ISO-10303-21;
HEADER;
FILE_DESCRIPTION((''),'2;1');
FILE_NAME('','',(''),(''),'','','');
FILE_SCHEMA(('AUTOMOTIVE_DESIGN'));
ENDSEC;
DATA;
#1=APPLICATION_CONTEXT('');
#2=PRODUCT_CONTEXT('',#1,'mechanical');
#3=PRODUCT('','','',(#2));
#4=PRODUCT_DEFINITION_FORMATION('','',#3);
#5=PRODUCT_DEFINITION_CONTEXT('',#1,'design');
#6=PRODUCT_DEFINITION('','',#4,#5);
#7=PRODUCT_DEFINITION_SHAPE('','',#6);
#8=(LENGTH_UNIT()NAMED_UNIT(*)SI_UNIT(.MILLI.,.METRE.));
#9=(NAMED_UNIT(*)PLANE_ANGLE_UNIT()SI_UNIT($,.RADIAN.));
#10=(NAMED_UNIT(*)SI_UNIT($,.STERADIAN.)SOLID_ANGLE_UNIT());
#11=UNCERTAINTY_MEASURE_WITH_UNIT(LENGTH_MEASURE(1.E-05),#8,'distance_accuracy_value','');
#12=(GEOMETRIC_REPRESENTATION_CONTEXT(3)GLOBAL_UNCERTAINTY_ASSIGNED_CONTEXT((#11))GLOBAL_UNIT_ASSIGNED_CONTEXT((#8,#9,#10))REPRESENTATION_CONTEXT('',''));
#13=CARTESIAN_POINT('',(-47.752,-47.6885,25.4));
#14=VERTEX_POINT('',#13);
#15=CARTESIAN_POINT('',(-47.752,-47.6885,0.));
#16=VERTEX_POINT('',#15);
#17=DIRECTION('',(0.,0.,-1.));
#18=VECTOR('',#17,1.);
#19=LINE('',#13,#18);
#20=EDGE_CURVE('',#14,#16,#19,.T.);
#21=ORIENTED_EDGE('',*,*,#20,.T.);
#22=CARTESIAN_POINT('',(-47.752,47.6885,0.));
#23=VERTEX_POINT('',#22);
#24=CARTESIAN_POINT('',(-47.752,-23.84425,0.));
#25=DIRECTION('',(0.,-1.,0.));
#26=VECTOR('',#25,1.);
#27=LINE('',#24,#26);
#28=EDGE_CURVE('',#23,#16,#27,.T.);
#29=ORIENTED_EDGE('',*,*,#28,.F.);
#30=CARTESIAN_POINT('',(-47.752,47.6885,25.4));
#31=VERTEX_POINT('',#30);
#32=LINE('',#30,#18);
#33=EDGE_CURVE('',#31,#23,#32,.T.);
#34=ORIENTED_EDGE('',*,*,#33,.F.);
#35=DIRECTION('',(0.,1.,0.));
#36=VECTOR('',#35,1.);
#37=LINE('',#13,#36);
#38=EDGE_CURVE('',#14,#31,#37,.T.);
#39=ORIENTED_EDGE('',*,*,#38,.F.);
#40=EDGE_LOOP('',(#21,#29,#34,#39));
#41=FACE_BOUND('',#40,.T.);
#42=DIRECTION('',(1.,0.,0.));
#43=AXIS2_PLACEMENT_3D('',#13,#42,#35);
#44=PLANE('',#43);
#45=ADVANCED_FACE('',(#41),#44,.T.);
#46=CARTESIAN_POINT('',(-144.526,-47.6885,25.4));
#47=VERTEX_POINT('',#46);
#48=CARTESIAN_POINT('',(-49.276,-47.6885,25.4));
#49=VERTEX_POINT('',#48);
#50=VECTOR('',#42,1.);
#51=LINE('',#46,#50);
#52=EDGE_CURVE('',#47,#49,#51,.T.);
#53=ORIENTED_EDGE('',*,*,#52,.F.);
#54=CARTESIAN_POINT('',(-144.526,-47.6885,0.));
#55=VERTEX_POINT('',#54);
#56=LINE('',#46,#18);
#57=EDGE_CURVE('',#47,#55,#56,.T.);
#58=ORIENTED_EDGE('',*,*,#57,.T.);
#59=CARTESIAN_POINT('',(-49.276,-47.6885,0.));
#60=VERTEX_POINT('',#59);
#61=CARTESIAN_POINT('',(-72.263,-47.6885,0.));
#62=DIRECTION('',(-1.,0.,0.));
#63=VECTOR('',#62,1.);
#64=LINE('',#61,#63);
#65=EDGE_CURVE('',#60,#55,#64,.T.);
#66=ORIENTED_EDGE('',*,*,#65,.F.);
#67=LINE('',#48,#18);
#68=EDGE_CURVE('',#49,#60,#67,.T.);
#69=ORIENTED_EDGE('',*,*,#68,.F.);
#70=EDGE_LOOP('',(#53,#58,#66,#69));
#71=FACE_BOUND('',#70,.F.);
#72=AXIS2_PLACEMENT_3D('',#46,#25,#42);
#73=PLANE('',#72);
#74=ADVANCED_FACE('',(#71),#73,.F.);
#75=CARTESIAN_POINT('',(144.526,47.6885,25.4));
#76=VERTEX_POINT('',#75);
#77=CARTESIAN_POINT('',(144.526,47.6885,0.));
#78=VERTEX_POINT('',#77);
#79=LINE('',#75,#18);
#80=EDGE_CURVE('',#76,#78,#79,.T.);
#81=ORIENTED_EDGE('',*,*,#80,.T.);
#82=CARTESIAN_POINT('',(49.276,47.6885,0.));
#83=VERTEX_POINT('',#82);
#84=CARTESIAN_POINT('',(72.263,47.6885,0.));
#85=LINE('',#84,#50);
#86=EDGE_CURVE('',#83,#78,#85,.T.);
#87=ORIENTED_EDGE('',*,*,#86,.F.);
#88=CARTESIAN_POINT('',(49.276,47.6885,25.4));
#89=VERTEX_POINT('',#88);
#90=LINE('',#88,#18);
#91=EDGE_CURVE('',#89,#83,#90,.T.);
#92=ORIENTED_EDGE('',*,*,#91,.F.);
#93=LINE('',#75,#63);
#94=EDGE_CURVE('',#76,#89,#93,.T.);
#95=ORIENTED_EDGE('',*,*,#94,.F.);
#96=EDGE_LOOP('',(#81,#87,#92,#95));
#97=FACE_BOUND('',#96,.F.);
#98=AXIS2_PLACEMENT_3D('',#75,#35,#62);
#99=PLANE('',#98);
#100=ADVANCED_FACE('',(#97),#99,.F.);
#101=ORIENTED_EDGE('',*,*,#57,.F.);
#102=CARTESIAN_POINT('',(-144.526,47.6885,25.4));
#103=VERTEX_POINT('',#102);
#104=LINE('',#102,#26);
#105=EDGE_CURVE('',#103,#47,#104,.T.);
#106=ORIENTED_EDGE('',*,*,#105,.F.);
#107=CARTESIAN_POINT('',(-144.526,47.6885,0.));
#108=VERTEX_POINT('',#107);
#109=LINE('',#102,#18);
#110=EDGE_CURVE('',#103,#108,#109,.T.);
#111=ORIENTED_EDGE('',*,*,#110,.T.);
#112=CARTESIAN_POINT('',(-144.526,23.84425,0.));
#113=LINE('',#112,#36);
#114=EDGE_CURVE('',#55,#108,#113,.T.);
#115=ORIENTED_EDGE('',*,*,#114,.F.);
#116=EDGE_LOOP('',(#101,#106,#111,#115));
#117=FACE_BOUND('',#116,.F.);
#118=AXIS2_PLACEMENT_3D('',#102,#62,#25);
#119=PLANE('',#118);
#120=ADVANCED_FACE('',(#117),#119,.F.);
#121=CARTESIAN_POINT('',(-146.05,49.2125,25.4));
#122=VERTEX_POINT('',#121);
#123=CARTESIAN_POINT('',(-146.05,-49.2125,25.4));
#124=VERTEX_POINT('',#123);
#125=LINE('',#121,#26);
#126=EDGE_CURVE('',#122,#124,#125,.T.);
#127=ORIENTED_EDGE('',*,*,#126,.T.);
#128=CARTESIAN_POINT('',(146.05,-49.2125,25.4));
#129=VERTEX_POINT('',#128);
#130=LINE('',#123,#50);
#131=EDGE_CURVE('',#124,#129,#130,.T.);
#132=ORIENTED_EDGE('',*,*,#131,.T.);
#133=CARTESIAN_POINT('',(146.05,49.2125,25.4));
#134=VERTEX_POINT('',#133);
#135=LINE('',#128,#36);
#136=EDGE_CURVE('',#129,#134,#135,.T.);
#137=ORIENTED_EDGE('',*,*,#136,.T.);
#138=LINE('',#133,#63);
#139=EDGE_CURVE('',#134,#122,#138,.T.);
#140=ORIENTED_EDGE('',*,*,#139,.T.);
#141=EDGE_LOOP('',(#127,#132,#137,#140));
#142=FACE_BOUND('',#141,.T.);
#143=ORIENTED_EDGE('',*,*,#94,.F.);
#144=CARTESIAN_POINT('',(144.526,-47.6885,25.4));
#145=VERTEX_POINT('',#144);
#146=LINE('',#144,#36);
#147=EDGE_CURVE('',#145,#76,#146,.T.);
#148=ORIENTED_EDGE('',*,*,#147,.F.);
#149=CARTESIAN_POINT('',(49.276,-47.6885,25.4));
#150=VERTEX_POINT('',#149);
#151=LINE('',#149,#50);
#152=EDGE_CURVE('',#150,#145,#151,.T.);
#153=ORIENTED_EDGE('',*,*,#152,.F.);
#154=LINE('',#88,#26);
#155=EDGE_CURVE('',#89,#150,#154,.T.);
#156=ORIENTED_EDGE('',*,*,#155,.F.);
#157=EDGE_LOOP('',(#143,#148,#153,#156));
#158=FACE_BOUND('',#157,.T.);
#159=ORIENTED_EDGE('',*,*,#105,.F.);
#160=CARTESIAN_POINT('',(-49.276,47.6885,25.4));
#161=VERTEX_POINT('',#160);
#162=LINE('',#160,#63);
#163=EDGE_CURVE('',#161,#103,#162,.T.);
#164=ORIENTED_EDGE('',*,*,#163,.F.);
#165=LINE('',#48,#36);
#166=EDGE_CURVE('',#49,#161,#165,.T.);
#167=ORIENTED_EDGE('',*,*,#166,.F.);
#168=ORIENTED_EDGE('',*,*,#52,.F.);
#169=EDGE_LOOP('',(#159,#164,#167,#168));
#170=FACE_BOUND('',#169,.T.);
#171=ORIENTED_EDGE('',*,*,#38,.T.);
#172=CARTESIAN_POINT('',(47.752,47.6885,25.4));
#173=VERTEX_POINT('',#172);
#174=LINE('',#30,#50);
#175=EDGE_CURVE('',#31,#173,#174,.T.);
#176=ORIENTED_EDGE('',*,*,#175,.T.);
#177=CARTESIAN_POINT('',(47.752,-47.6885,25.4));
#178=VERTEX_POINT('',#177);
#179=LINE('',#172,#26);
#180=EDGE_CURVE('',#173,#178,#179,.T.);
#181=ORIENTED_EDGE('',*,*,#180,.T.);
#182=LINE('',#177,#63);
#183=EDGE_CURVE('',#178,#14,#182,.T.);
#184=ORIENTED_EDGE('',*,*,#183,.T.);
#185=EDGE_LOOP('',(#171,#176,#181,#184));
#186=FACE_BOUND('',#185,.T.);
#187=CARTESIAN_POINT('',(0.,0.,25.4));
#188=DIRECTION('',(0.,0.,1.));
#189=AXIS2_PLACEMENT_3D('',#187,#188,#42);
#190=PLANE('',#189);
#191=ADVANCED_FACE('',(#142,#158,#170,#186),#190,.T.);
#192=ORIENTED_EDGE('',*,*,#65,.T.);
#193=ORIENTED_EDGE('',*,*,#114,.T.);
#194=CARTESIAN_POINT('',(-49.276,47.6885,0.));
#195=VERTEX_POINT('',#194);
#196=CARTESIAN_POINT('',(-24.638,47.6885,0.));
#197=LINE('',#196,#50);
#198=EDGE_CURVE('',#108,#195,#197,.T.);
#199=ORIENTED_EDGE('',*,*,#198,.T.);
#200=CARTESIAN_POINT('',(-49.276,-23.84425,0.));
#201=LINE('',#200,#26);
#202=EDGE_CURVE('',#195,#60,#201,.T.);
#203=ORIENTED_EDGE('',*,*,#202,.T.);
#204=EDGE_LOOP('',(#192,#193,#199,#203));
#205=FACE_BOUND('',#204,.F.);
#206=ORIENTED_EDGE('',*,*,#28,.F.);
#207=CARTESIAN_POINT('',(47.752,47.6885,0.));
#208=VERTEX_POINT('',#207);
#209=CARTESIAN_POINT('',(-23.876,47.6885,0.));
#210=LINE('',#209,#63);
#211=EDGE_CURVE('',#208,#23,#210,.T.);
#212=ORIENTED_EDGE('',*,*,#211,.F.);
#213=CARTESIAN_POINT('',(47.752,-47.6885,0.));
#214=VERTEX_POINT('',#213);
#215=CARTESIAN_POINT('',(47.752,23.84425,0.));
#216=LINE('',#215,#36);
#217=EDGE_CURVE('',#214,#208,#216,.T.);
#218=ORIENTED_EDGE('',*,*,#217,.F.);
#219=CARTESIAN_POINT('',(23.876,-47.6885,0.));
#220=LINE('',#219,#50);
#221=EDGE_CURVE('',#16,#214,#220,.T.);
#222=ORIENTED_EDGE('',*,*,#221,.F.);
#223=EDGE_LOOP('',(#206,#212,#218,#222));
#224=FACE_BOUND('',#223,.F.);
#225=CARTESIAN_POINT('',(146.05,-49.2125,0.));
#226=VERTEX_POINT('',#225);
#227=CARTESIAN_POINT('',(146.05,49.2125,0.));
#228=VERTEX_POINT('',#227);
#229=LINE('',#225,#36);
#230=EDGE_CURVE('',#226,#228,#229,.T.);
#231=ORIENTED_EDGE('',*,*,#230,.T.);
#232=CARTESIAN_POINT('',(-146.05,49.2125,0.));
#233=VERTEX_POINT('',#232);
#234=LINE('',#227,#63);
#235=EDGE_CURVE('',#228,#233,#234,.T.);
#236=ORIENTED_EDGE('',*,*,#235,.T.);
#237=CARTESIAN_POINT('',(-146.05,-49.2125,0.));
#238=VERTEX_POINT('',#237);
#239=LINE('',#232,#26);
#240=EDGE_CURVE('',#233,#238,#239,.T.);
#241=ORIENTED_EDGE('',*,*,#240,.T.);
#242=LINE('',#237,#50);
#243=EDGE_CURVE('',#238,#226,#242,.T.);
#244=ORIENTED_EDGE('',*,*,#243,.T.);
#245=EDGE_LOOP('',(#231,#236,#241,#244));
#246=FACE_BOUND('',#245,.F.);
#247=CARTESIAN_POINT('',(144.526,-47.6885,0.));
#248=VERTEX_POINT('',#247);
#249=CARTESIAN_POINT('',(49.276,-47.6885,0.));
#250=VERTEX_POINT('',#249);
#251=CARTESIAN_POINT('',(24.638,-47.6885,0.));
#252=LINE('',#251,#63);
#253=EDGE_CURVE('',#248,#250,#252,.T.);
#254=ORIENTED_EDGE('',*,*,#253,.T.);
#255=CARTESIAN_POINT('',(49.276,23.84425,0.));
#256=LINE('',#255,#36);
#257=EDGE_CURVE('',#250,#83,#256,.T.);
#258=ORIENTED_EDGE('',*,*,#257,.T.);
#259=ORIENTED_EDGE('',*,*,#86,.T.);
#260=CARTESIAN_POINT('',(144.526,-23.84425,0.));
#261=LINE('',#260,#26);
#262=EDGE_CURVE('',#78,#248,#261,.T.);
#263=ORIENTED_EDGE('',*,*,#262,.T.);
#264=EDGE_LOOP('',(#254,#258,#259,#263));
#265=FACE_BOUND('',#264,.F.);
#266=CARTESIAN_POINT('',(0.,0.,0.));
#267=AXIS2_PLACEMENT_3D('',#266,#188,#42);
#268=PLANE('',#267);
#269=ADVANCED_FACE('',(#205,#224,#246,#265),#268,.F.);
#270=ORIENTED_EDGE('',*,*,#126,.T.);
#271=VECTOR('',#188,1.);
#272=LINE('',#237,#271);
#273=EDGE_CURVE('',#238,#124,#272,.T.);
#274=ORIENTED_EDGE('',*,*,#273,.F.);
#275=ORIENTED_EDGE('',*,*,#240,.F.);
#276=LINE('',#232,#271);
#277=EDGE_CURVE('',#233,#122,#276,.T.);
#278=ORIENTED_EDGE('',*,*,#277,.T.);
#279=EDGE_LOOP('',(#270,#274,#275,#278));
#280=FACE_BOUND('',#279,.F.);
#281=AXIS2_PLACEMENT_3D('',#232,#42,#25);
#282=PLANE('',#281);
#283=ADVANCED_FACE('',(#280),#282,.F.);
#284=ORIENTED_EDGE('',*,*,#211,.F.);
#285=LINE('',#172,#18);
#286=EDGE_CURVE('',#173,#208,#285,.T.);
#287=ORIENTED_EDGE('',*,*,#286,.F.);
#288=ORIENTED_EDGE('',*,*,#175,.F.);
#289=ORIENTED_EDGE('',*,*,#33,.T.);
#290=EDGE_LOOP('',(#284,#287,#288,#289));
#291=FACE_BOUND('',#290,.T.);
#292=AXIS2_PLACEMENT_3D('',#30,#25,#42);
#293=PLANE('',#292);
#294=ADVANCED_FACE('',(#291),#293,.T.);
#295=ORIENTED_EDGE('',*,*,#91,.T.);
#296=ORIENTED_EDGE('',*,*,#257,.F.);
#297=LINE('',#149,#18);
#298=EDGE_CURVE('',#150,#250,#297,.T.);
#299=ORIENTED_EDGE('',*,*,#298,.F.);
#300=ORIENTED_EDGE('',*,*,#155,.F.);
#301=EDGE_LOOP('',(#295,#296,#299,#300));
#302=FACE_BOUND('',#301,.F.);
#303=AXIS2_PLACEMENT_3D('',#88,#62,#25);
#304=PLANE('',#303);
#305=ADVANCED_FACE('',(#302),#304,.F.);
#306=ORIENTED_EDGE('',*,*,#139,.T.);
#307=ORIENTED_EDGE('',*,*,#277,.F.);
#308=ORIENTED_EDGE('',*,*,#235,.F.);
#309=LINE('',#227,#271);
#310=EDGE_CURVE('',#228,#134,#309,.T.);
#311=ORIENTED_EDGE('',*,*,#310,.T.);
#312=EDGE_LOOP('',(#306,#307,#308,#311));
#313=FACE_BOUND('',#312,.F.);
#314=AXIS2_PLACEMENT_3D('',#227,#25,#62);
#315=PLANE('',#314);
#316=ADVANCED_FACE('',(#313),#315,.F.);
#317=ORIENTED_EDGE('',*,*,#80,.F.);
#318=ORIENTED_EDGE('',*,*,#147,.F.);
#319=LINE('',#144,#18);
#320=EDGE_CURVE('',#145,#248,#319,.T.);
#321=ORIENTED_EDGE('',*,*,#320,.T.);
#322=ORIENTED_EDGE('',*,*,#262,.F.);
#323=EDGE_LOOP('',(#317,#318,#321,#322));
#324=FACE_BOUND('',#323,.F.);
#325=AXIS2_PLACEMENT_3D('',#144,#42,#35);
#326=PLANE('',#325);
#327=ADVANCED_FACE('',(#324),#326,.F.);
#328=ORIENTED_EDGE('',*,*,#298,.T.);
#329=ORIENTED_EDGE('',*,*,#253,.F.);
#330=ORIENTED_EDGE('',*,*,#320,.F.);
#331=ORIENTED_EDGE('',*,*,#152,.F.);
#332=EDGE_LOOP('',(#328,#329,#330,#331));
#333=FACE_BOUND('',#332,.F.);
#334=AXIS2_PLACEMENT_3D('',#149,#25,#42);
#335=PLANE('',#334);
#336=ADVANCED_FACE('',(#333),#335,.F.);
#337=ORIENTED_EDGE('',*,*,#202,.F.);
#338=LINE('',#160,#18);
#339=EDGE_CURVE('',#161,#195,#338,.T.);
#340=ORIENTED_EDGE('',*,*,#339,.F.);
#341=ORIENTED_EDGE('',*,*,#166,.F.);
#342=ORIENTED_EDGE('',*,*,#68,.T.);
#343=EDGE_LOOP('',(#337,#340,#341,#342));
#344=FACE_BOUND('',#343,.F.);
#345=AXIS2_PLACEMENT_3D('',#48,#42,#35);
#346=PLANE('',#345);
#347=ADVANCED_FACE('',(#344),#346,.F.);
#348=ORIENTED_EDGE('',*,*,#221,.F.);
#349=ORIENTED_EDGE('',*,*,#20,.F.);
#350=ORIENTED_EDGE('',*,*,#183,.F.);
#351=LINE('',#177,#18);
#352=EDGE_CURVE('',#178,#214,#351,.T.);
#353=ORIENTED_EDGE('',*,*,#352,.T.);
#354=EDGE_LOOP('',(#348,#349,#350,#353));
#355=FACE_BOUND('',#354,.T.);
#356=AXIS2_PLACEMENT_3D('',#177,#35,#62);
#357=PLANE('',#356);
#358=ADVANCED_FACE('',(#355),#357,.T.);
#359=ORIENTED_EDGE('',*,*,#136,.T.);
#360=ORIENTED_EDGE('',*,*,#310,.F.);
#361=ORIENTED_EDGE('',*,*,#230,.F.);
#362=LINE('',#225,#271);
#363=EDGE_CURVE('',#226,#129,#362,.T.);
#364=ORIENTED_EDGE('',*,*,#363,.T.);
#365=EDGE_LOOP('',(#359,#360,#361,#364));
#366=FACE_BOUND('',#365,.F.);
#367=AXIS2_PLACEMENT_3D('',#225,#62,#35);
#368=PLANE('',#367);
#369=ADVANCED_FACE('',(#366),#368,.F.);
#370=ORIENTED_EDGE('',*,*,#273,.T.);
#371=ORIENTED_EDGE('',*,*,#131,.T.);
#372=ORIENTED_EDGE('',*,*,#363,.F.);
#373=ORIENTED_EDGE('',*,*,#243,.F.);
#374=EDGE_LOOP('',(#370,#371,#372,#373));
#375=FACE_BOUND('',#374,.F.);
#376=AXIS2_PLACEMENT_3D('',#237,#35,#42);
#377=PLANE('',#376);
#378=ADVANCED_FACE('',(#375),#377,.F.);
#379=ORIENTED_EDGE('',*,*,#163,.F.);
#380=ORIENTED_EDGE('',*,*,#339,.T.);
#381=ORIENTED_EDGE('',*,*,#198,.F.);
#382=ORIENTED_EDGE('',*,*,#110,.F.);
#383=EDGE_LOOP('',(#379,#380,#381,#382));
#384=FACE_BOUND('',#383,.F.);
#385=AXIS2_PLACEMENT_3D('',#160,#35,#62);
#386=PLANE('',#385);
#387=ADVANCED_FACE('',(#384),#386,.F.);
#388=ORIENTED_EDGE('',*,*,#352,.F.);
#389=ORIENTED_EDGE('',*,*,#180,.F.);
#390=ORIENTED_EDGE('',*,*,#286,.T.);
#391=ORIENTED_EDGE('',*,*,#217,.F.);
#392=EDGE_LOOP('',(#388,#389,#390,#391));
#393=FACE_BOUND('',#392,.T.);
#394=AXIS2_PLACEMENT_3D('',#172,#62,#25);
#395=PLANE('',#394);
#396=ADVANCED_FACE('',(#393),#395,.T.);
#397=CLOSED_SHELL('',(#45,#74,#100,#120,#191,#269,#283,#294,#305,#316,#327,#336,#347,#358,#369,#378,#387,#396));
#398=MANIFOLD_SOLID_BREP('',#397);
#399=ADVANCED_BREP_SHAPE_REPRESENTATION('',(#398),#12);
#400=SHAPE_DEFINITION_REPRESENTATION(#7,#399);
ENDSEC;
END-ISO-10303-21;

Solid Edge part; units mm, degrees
sketch "Sketch1" plane through (0, 0, 0) normal (0, 0, 1) x (1, 0, 0)
  line L0 (-146.05, -49.2125) -> (146.05, -49.2125)
  line L1 (146.05, -49.2125) -> (146.05, 49.2125)
  line L2 (146.05, 49.2125) -> (-146.05, 49.2125)
  line L3 (-146.05, 49.2125) -> (-146.05, -49.2125)
  dimension "D1" = 292.1
  dimension "D2" = 98.425
extrude "Protrusion1" add sketch "Sketch1" along normal blind 25.4
sketch "Sketch2" plane through (0, 0, 25.4) normal (0, 0, 1) x (1, 0, 0)
  line L0 (49.276, 47.6885) -> (49.276, -47.6885)
  line L1 (49.276, -47.6885) -> (144.526, -47.6885)
  line L2 (144.526, -47.6885) -> (144.526, 47.6885)
  line L3 (144.526, 47.6885) -> (49.276, 47.6885)
  line L4 (-47.752, 47.6885) -> (47.752, 47.6885)
  line L5 (47.752, 47.6885) -> (47.752, -47.6885)
  line L6 (47.752, -47.6885) -> (-47.752, -47.6885)
  line L7 (-47.752, -47.6885) -> (-47.752, 47.6885)
  line L8 (-144.526, -47.6885) -> (-49.276, -47.6885)
  line L9 (-49.276, -47.6885) -> (-49.276, 47.6885)
  line L10 (-49.276, 47.6885) -> (-144.526, 47.6885)
  line L11 (-144.526, 47.6885) -> (-144.526, -47.6885)
  dimension "D1" = 1.524
  dimension "D2" = 1.524
  dimension "D3" = 1.524
  dimension "D4" = 95.25
  dimension "D5" = 1.524
  dimension "D6" = 1.524
  dimension "D7" = 1.524
  dimension "D8" = 95.25
  dimension "D9" = 1.524
  dimension "D10" = 1.524
  dimension "D11" = 1.524
  dimension "D12" = 1.524
extrude "Cutout1" cut sketch "Sketch2" against normal up to next
properties part number "SPaRC - 03 - 002"
